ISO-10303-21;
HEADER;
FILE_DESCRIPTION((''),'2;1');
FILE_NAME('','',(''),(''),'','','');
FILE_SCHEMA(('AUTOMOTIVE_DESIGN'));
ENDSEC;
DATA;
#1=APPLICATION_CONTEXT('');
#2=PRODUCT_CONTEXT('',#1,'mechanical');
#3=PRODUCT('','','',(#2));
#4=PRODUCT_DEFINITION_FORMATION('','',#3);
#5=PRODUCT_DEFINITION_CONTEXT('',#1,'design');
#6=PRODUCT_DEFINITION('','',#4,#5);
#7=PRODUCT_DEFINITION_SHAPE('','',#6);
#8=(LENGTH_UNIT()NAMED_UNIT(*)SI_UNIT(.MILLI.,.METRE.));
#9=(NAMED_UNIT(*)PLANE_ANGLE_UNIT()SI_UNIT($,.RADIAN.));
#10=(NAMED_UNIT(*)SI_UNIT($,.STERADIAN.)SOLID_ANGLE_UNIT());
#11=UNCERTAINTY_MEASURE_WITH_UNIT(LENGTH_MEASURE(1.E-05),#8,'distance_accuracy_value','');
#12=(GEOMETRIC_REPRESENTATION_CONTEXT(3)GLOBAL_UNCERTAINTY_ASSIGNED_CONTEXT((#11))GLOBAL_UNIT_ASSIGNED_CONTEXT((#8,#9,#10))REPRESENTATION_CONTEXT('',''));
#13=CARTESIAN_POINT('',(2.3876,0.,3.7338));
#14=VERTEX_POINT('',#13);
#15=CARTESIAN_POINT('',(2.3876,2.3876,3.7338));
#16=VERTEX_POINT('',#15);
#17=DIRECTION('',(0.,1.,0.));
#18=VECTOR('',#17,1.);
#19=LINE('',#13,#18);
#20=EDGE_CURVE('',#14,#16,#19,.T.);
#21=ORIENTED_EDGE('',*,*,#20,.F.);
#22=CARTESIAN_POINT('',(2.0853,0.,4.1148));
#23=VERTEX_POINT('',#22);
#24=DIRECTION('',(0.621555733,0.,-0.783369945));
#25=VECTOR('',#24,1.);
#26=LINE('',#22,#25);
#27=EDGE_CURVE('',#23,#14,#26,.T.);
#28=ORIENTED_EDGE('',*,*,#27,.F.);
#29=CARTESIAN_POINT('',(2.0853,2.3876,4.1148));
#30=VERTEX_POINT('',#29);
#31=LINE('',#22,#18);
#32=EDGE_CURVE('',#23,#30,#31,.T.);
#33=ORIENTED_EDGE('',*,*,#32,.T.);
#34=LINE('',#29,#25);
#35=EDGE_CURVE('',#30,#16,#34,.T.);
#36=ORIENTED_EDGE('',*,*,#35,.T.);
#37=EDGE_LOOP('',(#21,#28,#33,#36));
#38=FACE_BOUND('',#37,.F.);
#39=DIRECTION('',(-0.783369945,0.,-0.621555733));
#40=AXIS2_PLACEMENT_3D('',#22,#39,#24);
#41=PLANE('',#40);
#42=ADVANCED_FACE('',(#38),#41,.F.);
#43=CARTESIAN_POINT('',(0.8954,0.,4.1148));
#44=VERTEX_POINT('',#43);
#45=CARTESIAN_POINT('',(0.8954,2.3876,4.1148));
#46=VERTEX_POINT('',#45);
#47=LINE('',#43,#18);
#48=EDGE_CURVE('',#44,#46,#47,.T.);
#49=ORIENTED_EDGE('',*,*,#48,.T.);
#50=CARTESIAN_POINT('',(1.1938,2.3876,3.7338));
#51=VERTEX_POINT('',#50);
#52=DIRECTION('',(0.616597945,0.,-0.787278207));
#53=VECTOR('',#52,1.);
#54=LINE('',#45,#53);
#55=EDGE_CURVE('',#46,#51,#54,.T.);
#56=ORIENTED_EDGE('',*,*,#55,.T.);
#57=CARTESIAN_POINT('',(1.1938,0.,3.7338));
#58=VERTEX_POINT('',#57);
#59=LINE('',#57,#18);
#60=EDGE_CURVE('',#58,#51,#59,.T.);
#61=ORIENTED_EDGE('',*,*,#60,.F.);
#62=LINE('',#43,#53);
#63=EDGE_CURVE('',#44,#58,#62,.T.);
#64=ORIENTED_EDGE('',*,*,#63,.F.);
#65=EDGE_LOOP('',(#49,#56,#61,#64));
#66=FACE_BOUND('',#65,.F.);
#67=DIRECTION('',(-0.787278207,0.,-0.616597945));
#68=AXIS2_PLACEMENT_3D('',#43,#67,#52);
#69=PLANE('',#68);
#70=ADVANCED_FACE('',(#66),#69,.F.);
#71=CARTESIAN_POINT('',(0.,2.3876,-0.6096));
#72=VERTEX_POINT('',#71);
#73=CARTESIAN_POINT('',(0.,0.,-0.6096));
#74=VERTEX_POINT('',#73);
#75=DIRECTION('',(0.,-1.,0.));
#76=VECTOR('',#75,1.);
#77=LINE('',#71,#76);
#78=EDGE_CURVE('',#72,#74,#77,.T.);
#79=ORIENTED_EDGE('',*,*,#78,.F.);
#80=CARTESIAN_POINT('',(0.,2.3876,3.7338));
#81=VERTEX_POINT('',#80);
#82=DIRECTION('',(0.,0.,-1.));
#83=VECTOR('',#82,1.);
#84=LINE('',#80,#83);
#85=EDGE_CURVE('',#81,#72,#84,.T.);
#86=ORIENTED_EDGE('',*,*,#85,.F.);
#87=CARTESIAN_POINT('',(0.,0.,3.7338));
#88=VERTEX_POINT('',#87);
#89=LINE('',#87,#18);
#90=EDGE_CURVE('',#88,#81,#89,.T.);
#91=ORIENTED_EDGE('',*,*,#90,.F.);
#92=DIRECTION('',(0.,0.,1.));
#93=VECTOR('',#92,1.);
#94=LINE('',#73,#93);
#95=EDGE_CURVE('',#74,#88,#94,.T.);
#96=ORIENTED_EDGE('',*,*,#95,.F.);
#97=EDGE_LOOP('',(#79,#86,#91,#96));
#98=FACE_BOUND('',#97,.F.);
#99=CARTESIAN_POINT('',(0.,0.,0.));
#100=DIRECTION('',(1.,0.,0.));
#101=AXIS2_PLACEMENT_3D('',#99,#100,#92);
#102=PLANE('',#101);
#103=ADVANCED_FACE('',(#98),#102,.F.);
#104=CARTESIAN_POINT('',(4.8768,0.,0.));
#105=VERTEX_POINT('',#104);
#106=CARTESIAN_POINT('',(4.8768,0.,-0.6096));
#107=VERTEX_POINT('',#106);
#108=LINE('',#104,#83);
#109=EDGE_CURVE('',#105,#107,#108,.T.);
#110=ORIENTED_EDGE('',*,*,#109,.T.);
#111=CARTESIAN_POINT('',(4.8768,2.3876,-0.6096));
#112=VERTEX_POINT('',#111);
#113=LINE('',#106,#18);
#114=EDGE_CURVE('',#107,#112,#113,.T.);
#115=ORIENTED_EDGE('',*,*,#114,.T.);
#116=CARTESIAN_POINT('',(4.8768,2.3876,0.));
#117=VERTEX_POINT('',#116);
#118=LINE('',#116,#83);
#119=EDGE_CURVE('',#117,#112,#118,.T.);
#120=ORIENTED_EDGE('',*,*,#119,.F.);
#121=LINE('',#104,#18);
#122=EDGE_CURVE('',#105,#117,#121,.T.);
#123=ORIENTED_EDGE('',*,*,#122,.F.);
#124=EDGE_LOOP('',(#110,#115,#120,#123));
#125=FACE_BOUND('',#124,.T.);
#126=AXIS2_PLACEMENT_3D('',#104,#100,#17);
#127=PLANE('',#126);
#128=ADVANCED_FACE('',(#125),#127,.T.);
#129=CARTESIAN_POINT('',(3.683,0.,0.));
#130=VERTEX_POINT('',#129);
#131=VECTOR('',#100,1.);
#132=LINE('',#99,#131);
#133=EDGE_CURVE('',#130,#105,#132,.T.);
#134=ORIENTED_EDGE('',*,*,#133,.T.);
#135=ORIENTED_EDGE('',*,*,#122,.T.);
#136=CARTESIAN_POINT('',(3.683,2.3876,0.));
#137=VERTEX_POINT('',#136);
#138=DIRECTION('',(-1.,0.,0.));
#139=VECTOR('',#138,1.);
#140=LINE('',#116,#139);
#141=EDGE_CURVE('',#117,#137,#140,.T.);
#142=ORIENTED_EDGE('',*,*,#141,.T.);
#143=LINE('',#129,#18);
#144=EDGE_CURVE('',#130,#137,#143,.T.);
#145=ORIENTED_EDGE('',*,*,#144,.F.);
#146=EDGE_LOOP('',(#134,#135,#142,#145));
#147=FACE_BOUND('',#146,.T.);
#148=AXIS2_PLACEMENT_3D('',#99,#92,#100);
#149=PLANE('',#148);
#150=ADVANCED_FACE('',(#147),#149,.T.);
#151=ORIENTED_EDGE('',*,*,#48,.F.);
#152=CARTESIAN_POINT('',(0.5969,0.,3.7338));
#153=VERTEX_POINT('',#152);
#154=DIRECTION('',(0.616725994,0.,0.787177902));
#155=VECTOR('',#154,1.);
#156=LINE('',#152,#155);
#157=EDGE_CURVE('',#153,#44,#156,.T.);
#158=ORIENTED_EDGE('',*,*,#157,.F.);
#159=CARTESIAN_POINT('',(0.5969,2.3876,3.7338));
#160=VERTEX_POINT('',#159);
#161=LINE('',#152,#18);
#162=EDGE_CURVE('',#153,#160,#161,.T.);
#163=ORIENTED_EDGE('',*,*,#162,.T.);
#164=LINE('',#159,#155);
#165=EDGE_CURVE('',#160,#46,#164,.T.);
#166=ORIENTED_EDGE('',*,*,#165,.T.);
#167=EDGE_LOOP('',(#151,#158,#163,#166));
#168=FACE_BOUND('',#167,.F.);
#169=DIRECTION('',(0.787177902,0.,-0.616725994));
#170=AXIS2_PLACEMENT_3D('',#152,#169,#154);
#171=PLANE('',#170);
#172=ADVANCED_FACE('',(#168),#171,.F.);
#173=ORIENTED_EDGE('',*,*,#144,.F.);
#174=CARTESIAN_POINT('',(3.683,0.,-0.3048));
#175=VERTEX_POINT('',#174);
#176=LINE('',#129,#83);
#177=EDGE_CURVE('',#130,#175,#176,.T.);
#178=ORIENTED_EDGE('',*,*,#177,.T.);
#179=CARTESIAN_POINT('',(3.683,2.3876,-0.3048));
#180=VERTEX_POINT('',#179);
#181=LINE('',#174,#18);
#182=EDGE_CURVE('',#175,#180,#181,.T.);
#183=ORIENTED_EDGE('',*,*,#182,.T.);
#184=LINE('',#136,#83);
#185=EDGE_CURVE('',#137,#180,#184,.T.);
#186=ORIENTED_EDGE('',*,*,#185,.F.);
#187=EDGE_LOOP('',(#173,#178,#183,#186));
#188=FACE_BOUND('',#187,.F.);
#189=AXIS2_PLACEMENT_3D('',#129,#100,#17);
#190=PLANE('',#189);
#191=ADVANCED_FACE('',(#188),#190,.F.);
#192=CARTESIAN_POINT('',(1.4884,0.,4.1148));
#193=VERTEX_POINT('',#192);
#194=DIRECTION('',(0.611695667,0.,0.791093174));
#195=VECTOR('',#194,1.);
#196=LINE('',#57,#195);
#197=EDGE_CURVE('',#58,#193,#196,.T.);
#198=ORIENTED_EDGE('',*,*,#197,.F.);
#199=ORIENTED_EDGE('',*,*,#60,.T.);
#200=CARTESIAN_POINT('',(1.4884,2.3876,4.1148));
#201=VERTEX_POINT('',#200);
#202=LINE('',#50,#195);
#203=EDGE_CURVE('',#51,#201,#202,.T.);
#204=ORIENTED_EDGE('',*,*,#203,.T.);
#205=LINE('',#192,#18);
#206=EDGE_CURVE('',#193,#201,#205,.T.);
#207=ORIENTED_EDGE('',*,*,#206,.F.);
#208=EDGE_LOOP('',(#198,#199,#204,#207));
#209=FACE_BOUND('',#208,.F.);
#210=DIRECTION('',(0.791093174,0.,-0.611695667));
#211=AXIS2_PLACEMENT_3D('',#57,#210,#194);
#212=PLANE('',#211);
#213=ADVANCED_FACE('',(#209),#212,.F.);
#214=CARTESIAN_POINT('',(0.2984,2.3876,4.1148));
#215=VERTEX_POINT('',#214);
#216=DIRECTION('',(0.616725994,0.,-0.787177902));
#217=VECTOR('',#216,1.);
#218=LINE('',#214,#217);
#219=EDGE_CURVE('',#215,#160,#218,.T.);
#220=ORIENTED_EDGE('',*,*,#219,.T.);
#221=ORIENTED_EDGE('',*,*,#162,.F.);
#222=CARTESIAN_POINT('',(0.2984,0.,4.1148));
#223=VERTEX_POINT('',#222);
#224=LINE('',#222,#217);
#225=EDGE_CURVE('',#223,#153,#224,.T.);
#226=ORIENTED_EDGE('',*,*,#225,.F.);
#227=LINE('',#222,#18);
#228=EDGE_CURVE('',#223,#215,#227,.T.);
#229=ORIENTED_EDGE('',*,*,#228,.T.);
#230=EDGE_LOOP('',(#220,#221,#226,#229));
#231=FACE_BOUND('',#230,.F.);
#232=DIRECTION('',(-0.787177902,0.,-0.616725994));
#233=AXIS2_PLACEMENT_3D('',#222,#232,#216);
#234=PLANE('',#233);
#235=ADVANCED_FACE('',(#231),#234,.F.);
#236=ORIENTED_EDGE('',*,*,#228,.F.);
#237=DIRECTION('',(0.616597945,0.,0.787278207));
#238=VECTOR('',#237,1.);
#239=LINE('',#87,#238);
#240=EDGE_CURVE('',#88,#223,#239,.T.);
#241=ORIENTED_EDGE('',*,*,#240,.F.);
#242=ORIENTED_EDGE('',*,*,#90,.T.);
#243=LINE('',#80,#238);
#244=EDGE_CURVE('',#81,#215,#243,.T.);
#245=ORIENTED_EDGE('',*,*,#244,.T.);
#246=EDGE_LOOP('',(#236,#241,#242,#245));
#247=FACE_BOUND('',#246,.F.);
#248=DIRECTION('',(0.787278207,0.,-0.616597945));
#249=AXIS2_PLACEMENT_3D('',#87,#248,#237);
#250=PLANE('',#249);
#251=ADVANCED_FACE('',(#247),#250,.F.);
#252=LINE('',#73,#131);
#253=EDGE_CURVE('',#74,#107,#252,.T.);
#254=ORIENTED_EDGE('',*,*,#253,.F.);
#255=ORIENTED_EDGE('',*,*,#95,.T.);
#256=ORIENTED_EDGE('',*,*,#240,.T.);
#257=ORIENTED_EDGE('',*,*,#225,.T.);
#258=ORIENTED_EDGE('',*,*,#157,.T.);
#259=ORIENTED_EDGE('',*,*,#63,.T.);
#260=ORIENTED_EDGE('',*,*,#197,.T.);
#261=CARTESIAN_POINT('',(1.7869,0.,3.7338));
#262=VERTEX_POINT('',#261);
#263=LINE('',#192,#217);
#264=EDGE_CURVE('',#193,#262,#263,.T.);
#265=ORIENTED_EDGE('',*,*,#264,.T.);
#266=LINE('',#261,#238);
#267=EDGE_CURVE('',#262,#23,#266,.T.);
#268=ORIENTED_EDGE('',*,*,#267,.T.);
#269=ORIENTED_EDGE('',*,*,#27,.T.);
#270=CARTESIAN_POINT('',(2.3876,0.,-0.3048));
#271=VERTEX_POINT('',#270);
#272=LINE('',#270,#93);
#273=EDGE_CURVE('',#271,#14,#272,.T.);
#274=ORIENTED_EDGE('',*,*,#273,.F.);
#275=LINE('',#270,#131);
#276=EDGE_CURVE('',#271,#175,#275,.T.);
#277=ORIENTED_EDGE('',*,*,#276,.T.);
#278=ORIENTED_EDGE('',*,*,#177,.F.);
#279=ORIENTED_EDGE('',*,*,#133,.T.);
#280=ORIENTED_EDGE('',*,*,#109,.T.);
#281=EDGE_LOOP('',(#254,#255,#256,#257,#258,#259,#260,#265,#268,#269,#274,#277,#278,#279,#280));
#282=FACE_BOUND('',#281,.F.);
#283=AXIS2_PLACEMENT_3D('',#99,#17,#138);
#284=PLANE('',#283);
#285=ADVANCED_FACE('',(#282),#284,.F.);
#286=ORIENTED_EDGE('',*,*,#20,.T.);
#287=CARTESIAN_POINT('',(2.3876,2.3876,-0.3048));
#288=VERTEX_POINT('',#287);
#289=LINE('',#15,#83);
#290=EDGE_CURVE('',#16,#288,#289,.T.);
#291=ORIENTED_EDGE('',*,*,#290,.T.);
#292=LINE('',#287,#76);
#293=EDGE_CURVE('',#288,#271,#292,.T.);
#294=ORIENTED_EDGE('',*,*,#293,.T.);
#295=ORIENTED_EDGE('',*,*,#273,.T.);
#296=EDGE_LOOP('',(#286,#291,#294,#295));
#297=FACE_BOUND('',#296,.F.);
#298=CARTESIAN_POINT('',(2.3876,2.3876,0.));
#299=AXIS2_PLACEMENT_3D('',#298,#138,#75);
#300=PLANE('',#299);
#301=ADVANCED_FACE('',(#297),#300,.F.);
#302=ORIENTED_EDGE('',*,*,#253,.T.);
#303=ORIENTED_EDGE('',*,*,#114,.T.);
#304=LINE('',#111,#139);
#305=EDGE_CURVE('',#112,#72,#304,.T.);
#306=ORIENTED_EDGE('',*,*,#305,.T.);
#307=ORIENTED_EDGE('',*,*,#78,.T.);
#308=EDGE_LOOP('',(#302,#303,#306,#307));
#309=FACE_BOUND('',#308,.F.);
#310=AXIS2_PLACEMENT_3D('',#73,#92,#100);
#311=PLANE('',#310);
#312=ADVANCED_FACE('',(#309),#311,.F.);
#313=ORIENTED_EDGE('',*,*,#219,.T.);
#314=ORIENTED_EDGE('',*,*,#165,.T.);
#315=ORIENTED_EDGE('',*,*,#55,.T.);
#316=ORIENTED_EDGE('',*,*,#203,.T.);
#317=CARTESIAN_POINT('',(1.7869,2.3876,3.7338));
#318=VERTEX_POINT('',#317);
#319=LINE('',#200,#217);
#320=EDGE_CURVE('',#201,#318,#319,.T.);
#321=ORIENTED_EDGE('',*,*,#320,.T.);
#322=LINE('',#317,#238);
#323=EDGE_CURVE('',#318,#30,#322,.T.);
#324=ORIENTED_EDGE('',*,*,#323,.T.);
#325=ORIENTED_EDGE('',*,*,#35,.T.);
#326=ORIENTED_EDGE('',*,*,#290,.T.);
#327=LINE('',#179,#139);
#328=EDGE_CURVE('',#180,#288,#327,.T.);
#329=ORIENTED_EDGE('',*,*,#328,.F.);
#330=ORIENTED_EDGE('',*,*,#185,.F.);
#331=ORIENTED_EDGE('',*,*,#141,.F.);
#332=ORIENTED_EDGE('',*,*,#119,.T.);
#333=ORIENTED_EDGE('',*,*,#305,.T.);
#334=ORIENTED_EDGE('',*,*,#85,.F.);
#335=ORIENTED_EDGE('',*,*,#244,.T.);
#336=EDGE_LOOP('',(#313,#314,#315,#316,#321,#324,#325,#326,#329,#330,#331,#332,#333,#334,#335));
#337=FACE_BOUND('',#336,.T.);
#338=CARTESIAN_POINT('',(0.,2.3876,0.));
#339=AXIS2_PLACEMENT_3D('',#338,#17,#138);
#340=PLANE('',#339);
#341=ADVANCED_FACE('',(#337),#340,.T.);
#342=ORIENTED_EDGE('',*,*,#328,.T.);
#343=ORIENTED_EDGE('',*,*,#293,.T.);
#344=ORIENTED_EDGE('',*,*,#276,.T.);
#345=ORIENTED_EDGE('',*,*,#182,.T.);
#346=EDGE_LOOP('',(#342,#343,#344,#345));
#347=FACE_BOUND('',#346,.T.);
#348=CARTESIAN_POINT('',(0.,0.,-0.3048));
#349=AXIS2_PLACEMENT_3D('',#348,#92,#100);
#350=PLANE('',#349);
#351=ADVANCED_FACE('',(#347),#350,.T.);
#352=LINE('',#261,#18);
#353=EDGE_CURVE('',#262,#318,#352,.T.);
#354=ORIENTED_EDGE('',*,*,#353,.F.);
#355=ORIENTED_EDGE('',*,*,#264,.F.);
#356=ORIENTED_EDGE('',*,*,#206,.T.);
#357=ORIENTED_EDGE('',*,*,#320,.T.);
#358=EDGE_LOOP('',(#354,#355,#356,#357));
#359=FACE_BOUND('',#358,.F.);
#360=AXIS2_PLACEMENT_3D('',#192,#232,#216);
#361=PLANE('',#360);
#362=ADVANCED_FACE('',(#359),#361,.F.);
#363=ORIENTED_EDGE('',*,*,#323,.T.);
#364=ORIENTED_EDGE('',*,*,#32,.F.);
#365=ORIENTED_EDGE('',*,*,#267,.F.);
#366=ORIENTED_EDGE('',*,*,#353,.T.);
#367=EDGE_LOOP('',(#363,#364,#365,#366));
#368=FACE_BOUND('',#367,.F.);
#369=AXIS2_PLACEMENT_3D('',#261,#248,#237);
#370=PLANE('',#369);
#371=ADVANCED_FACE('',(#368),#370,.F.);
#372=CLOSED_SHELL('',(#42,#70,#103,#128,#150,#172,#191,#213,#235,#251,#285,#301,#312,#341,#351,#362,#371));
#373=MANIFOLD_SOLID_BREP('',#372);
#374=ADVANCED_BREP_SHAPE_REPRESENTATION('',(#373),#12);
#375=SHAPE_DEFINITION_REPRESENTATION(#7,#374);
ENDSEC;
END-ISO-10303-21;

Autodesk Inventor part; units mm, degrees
sketch "Sketch_1" plane through (0, 0, 0) normal (0, 1, 0) x (-1, 0, 0)
  line L0 (0, 3.7338) -> (-0.2984, 4.1148)
  line L1 (-0.2984, 4.1148) -> (-0.5969, 3.7338)
  line L2 (-0.5969, 3.7338) -> (-0.8954, 4.1148)
  line L3 (-0.8954, 4.1148) -> (-1.1938, 3.7338)
  line L4 (-1.1938, 3.7338) -> (-1.4884, 4.1148)
  line L5 (-1.4884, 4.1148) -> (-1.7869, 3.7338)
  line L6 (-1.7869, 3.7338) -> (-2.0853, 4.1148)
  line L7 (-2.0853, 4.1148) -> (-2.3876, 3.7338)
  line L8 (-2.3876, 3.7338) -> (-2.3876, 0)
  line L9 (-2.3876, 0) -> (0, 0)
  line L10 (0, 0) -> (0, 3.7338)
extrude "Extrusion1" add sketch "Sketch_1" along normal blind 2.3876
sketch "Sketch_2" plane through (0, 0, 0) normal (0, 0, 1) x (1, 0, 0)
  line L0 (0, 2.3876) -> (0, 0)
  line L1 (0, 0) -> (4.8768, 0)
  line L2 (4.8768, 0) -> (4.8768, 2.3876)
  line L3 (4.8768, 2.3876) -> (0, 2.3876)
extrude "Extrusion2" add sketch "Sketch_2" against normal blind 0.6096
sketch "Sketch_3" plane through (0, 0, 0) normal (0, 0, 1) x (1, 0, 0)
  line L0 (2.3876, 2.3876) -> (2.3876, 0)
  line L1 (2.3876, 0) -> (3.683, 0)
  line L2 (3.683, 0) -> (3.683, 2.3876)
  line L3 (3.683, 2.3876) -> (2.3876, 2.3876)
extrude "Extrusion3" cut sketch "Sketch_3" against normal blind 0.3048
ref_plane "body_right1c_XY" through (2.3876, 1.1938, -0.6096) normal (0, 0, 1) x (1, 0, 0)
ref_plane "body_right1c_YZ" through (2.3876, 1.1938, -0.6096) normal (1, 0, 0) x (0, 1, 0)
ref_plane "body_right1c_ZX" through (2.3876, 1.1938, -0.6096) normal (0, 1, 0) x (0, 0, 1)
properties part number "AS11CHcright"
